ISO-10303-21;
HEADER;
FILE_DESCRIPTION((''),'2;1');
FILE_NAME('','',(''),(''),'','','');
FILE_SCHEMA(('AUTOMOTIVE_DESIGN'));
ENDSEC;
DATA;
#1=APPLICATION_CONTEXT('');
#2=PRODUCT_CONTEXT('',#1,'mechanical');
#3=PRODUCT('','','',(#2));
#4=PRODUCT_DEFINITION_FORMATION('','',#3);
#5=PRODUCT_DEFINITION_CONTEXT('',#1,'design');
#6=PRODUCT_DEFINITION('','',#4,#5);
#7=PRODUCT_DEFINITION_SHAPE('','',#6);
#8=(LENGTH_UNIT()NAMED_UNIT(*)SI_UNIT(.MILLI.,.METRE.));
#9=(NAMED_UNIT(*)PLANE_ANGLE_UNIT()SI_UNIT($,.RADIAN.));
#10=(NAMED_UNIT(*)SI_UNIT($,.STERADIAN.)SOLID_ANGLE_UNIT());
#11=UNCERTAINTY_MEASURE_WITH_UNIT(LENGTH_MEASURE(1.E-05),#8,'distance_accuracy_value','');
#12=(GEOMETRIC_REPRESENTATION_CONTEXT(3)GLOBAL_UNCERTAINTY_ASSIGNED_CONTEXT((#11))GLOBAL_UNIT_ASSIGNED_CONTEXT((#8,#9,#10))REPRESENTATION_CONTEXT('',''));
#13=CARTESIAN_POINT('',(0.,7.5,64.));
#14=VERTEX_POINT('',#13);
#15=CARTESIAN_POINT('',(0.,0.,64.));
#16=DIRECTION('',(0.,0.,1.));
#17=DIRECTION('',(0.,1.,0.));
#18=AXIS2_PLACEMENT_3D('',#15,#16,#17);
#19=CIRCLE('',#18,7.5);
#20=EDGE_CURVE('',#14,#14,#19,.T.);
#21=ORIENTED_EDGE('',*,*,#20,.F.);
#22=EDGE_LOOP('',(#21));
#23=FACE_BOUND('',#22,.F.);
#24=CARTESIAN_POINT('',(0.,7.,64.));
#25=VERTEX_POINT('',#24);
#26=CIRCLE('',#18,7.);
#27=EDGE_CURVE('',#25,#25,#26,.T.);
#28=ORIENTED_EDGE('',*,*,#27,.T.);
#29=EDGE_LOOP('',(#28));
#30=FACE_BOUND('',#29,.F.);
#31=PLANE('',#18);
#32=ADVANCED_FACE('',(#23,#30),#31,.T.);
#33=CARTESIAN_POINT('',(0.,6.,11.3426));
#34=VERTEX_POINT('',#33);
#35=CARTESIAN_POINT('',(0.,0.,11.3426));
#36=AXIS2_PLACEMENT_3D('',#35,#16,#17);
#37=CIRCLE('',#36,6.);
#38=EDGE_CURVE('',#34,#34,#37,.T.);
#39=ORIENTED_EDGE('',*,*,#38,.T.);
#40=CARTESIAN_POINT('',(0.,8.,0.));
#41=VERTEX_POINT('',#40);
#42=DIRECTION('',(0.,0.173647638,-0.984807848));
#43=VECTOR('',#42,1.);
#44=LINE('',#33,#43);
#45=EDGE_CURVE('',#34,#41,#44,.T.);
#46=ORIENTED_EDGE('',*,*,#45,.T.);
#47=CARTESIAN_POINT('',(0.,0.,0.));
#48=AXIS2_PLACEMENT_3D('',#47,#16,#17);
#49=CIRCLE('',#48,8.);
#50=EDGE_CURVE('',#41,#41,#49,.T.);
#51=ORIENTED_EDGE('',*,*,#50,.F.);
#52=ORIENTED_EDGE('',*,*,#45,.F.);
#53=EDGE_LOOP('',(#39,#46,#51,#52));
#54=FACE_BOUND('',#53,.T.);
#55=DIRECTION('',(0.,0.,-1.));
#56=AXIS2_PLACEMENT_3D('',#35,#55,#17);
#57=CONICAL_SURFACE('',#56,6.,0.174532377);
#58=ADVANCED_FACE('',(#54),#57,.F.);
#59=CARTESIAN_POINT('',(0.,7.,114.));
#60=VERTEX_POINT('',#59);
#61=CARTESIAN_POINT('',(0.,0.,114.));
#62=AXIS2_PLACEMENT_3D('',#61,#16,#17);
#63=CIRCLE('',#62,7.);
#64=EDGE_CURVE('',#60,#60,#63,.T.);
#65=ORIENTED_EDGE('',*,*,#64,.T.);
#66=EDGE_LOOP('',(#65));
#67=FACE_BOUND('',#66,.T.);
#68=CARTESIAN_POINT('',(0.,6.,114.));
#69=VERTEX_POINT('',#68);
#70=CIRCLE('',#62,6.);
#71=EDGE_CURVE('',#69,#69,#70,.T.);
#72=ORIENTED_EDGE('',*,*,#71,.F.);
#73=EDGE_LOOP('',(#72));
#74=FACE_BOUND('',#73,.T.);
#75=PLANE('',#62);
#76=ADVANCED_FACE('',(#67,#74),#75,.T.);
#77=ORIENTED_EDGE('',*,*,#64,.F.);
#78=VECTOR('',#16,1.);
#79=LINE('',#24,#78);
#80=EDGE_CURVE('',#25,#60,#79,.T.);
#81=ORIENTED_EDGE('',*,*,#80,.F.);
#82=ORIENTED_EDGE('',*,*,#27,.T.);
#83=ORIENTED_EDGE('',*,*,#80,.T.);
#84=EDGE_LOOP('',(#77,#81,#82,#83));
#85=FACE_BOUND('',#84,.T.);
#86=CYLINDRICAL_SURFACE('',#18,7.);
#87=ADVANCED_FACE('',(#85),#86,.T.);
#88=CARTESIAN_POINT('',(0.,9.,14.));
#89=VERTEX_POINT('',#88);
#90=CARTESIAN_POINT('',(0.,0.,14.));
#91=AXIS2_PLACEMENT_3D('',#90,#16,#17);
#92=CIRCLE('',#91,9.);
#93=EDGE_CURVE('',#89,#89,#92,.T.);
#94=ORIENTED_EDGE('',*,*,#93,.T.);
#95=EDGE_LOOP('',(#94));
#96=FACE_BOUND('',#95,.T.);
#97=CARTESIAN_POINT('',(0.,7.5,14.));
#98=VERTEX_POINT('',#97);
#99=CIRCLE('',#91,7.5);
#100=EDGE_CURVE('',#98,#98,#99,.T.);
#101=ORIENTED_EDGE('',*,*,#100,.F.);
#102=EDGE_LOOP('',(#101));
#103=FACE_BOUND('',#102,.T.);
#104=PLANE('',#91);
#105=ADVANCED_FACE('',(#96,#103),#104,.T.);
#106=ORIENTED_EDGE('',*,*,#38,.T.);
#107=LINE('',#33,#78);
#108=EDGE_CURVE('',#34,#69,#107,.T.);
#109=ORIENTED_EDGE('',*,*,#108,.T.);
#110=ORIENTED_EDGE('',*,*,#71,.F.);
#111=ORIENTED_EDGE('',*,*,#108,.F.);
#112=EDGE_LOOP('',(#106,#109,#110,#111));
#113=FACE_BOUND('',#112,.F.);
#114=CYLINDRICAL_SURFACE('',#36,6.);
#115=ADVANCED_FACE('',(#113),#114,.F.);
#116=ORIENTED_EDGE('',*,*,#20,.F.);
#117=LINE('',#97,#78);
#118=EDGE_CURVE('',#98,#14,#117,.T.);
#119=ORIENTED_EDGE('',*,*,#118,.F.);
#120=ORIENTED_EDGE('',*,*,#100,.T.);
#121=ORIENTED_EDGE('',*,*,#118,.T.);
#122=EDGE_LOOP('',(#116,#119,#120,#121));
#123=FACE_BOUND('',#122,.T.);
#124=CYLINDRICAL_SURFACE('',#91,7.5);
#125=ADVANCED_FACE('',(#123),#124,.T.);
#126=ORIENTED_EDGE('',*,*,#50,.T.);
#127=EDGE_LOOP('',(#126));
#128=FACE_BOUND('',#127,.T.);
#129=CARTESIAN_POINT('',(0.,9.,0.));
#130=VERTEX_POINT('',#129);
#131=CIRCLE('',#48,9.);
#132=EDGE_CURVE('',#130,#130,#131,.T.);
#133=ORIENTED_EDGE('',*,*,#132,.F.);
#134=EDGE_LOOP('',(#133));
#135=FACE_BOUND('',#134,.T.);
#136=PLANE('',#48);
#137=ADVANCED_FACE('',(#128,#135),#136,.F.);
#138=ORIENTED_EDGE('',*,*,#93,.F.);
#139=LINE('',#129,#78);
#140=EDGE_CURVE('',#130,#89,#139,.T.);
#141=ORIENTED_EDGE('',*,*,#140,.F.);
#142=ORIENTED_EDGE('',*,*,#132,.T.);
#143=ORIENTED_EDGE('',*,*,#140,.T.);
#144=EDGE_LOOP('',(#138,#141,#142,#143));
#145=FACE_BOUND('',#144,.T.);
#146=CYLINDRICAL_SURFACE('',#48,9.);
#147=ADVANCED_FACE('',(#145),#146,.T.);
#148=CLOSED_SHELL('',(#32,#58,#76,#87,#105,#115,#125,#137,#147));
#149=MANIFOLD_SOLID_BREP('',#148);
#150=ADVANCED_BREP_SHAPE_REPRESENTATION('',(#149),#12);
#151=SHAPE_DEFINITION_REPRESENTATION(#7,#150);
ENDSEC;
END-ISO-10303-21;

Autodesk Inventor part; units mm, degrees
ref_plane "YZ Plane" through (0, 0, 0) normal (1, 0, 0) x (0, 1, 0)
ref_plane "XZ Plane" through (0, 0, 0) normal (0, 1, 0) x (-1, 0, 0)
ref_plane "XY Plane" through (0, 0, 0) normal (0, 0, 1) x (1, 0, 0)
sketch "Esquisse1" plane through (0, 0, 0) normal (1, 0, 0) x (0, 1, 0)
  line L0 (0, 0) -> (0, 13.2431)
  line L1 (6, 11.3426) -> (6, 114)
  line L2 (6, 11.3426) -> (8, 0)
  line L3 (8, 0) -> (9, 0)
  line L4 (9, 0) -> (9, 14)
  line L5 (9, 14) -> (7.5, 14)
  line L6 (7.5, 14) -> (7.5, 64)
  line L7 (7, 64) -> (7, 114)
  line L8 (7, 64) -> (7.5, 64)
  line L9 (7, 114) -> (6, 114)
  dimension "d0" = 12
  dimension "d1" = 1
  dimension "d2" = 170
  dimension "d3" = 16
  dimension "d4" = 15
  dimension "d6" = 14
  dimension "d7" = 14
  dimension "d8" = 50
  dimension "d9" = 50
revolve "Révolution1" add sketch "Esquisse1" angle 360 about axis through (0, 0, 0) along (0, 0, 1)
properties part number "p1"
